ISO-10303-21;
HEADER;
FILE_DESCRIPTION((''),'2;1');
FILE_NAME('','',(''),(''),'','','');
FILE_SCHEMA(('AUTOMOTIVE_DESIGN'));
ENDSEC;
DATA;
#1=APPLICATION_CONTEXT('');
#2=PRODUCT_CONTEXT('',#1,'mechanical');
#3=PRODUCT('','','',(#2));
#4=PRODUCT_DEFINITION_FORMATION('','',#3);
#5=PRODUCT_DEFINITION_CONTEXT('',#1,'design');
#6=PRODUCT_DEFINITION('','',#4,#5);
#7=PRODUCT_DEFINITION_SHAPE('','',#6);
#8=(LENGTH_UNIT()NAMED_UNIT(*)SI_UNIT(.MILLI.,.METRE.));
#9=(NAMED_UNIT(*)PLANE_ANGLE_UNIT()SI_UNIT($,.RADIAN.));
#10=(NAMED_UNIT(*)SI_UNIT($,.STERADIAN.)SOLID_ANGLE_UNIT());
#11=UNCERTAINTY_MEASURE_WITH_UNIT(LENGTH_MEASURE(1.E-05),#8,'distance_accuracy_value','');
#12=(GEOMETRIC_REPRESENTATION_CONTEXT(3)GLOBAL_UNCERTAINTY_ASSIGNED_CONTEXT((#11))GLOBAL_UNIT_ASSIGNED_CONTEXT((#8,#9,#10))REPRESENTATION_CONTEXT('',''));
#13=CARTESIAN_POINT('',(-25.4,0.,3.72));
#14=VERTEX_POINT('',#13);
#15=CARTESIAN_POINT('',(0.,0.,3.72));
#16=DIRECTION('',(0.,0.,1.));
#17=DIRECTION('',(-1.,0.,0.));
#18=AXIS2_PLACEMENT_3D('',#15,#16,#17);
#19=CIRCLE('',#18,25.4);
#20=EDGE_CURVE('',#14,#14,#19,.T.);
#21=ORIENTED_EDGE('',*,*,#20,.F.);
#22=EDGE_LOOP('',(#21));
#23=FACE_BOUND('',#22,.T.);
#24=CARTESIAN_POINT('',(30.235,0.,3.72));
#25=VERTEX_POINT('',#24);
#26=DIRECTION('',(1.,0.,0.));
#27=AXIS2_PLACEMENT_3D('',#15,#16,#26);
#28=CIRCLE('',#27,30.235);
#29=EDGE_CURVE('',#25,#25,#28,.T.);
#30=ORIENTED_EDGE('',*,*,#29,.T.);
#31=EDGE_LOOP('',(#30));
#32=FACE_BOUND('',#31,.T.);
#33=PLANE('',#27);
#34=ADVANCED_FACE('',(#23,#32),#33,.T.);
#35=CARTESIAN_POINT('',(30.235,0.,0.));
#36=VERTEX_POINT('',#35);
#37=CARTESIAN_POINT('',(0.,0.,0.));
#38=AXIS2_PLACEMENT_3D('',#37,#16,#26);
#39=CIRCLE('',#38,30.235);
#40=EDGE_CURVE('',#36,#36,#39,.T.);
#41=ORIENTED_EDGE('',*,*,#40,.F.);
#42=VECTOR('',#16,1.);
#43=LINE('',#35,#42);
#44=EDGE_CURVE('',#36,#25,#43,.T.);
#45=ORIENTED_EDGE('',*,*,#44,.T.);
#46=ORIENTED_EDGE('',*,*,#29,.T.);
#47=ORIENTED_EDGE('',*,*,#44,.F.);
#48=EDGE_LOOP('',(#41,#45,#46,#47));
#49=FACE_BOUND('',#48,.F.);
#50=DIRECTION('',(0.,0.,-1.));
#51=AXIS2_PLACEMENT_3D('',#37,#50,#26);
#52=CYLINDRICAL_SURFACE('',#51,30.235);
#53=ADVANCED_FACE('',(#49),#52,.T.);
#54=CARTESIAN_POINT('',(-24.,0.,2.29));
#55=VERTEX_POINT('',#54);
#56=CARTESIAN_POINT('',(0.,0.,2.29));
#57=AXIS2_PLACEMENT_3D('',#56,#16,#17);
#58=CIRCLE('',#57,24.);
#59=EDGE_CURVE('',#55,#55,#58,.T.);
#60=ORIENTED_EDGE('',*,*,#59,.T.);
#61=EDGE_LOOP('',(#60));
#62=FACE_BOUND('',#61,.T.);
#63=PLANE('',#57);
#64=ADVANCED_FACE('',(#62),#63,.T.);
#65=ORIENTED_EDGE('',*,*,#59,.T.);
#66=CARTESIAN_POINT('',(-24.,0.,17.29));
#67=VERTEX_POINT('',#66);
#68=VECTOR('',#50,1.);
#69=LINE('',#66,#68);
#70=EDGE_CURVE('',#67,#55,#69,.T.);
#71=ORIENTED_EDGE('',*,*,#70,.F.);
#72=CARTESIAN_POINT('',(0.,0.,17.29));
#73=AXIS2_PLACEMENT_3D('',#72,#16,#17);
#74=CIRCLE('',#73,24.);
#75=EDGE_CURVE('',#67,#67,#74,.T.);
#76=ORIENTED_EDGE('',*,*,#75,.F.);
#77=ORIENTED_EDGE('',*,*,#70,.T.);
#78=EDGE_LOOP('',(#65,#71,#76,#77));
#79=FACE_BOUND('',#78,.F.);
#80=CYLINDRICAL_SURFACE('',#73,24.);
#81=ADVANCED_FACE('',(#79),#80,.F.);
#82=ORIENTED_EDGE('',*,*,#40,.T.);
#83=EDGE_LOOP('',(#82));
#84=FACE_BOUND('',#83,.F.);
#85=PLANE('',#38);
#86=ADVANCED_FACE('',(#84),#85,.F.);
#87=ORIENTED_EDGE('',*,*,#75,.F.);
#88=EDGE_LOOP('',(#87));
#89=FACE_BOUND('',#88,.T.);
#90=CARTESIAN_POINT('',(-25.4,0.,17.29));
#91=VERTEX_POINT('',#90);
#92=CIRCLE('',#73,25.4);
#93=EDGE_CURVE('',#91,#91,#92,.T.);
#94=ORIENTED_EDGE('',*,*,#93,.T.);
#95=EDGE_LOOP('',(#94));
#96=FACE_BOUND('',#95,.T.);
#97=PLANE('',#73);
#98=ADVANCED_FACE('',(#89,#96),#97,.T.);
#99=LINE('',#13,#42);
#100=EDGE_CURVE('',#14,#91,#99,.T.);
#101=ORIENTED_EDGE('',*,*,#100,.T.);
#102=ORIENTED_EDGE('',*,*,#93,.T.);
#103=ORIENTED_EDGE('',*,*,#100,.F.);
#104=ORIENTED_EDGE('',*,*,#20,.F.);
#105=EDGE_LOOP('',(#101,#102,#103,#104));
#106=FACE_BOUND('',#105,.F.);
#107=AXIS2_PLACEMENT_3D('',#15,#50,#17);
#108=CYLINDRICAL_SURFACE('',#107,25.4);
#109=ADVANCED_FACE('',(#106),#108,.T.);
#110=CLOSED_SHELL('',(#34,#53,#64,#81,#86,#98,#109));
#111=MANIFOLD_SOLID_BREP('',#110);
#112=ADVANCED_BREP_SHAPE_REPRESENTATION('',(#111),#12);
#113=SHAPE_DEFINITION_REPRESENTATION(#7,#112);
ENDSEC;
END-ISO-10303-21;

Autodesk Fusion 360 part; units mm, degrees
sketch "Sketch1" plane through (0, 0, 0) normal (0, 0, 1) x (1, 0, 0)
  circle A0 centre (0, 0) radius 30.235
  dimension "d1" = 60.47
extrude "Extrude1" add sketch "Sketch1" along normal blind 3.72
sketch "Sketch2" plane through (0, 0, 3.72) normal (0, 0, 1) x (-1, 0, 0)
  circle A0 centre (0, 0) radius 30.235
  circle A1 centre (0, 0) radius 25.4
  dimension "d4" = 50.8
extrude "Extrude2" add sketch "Sketch2" along normal blind 13.57 contours A1
sketch "Sketch3" plane through (0, 0, 17.29) normal (0, 0, 1) x (-1, 0, 0)
  circle A0 centre (0, 0) radius 25.4
  circle A1 centre (0, 0) radius 24
  dimension "d10" = 48
extrude "Extrude3" cut sketch "Sketch3" against normal blind 15 contours A1
